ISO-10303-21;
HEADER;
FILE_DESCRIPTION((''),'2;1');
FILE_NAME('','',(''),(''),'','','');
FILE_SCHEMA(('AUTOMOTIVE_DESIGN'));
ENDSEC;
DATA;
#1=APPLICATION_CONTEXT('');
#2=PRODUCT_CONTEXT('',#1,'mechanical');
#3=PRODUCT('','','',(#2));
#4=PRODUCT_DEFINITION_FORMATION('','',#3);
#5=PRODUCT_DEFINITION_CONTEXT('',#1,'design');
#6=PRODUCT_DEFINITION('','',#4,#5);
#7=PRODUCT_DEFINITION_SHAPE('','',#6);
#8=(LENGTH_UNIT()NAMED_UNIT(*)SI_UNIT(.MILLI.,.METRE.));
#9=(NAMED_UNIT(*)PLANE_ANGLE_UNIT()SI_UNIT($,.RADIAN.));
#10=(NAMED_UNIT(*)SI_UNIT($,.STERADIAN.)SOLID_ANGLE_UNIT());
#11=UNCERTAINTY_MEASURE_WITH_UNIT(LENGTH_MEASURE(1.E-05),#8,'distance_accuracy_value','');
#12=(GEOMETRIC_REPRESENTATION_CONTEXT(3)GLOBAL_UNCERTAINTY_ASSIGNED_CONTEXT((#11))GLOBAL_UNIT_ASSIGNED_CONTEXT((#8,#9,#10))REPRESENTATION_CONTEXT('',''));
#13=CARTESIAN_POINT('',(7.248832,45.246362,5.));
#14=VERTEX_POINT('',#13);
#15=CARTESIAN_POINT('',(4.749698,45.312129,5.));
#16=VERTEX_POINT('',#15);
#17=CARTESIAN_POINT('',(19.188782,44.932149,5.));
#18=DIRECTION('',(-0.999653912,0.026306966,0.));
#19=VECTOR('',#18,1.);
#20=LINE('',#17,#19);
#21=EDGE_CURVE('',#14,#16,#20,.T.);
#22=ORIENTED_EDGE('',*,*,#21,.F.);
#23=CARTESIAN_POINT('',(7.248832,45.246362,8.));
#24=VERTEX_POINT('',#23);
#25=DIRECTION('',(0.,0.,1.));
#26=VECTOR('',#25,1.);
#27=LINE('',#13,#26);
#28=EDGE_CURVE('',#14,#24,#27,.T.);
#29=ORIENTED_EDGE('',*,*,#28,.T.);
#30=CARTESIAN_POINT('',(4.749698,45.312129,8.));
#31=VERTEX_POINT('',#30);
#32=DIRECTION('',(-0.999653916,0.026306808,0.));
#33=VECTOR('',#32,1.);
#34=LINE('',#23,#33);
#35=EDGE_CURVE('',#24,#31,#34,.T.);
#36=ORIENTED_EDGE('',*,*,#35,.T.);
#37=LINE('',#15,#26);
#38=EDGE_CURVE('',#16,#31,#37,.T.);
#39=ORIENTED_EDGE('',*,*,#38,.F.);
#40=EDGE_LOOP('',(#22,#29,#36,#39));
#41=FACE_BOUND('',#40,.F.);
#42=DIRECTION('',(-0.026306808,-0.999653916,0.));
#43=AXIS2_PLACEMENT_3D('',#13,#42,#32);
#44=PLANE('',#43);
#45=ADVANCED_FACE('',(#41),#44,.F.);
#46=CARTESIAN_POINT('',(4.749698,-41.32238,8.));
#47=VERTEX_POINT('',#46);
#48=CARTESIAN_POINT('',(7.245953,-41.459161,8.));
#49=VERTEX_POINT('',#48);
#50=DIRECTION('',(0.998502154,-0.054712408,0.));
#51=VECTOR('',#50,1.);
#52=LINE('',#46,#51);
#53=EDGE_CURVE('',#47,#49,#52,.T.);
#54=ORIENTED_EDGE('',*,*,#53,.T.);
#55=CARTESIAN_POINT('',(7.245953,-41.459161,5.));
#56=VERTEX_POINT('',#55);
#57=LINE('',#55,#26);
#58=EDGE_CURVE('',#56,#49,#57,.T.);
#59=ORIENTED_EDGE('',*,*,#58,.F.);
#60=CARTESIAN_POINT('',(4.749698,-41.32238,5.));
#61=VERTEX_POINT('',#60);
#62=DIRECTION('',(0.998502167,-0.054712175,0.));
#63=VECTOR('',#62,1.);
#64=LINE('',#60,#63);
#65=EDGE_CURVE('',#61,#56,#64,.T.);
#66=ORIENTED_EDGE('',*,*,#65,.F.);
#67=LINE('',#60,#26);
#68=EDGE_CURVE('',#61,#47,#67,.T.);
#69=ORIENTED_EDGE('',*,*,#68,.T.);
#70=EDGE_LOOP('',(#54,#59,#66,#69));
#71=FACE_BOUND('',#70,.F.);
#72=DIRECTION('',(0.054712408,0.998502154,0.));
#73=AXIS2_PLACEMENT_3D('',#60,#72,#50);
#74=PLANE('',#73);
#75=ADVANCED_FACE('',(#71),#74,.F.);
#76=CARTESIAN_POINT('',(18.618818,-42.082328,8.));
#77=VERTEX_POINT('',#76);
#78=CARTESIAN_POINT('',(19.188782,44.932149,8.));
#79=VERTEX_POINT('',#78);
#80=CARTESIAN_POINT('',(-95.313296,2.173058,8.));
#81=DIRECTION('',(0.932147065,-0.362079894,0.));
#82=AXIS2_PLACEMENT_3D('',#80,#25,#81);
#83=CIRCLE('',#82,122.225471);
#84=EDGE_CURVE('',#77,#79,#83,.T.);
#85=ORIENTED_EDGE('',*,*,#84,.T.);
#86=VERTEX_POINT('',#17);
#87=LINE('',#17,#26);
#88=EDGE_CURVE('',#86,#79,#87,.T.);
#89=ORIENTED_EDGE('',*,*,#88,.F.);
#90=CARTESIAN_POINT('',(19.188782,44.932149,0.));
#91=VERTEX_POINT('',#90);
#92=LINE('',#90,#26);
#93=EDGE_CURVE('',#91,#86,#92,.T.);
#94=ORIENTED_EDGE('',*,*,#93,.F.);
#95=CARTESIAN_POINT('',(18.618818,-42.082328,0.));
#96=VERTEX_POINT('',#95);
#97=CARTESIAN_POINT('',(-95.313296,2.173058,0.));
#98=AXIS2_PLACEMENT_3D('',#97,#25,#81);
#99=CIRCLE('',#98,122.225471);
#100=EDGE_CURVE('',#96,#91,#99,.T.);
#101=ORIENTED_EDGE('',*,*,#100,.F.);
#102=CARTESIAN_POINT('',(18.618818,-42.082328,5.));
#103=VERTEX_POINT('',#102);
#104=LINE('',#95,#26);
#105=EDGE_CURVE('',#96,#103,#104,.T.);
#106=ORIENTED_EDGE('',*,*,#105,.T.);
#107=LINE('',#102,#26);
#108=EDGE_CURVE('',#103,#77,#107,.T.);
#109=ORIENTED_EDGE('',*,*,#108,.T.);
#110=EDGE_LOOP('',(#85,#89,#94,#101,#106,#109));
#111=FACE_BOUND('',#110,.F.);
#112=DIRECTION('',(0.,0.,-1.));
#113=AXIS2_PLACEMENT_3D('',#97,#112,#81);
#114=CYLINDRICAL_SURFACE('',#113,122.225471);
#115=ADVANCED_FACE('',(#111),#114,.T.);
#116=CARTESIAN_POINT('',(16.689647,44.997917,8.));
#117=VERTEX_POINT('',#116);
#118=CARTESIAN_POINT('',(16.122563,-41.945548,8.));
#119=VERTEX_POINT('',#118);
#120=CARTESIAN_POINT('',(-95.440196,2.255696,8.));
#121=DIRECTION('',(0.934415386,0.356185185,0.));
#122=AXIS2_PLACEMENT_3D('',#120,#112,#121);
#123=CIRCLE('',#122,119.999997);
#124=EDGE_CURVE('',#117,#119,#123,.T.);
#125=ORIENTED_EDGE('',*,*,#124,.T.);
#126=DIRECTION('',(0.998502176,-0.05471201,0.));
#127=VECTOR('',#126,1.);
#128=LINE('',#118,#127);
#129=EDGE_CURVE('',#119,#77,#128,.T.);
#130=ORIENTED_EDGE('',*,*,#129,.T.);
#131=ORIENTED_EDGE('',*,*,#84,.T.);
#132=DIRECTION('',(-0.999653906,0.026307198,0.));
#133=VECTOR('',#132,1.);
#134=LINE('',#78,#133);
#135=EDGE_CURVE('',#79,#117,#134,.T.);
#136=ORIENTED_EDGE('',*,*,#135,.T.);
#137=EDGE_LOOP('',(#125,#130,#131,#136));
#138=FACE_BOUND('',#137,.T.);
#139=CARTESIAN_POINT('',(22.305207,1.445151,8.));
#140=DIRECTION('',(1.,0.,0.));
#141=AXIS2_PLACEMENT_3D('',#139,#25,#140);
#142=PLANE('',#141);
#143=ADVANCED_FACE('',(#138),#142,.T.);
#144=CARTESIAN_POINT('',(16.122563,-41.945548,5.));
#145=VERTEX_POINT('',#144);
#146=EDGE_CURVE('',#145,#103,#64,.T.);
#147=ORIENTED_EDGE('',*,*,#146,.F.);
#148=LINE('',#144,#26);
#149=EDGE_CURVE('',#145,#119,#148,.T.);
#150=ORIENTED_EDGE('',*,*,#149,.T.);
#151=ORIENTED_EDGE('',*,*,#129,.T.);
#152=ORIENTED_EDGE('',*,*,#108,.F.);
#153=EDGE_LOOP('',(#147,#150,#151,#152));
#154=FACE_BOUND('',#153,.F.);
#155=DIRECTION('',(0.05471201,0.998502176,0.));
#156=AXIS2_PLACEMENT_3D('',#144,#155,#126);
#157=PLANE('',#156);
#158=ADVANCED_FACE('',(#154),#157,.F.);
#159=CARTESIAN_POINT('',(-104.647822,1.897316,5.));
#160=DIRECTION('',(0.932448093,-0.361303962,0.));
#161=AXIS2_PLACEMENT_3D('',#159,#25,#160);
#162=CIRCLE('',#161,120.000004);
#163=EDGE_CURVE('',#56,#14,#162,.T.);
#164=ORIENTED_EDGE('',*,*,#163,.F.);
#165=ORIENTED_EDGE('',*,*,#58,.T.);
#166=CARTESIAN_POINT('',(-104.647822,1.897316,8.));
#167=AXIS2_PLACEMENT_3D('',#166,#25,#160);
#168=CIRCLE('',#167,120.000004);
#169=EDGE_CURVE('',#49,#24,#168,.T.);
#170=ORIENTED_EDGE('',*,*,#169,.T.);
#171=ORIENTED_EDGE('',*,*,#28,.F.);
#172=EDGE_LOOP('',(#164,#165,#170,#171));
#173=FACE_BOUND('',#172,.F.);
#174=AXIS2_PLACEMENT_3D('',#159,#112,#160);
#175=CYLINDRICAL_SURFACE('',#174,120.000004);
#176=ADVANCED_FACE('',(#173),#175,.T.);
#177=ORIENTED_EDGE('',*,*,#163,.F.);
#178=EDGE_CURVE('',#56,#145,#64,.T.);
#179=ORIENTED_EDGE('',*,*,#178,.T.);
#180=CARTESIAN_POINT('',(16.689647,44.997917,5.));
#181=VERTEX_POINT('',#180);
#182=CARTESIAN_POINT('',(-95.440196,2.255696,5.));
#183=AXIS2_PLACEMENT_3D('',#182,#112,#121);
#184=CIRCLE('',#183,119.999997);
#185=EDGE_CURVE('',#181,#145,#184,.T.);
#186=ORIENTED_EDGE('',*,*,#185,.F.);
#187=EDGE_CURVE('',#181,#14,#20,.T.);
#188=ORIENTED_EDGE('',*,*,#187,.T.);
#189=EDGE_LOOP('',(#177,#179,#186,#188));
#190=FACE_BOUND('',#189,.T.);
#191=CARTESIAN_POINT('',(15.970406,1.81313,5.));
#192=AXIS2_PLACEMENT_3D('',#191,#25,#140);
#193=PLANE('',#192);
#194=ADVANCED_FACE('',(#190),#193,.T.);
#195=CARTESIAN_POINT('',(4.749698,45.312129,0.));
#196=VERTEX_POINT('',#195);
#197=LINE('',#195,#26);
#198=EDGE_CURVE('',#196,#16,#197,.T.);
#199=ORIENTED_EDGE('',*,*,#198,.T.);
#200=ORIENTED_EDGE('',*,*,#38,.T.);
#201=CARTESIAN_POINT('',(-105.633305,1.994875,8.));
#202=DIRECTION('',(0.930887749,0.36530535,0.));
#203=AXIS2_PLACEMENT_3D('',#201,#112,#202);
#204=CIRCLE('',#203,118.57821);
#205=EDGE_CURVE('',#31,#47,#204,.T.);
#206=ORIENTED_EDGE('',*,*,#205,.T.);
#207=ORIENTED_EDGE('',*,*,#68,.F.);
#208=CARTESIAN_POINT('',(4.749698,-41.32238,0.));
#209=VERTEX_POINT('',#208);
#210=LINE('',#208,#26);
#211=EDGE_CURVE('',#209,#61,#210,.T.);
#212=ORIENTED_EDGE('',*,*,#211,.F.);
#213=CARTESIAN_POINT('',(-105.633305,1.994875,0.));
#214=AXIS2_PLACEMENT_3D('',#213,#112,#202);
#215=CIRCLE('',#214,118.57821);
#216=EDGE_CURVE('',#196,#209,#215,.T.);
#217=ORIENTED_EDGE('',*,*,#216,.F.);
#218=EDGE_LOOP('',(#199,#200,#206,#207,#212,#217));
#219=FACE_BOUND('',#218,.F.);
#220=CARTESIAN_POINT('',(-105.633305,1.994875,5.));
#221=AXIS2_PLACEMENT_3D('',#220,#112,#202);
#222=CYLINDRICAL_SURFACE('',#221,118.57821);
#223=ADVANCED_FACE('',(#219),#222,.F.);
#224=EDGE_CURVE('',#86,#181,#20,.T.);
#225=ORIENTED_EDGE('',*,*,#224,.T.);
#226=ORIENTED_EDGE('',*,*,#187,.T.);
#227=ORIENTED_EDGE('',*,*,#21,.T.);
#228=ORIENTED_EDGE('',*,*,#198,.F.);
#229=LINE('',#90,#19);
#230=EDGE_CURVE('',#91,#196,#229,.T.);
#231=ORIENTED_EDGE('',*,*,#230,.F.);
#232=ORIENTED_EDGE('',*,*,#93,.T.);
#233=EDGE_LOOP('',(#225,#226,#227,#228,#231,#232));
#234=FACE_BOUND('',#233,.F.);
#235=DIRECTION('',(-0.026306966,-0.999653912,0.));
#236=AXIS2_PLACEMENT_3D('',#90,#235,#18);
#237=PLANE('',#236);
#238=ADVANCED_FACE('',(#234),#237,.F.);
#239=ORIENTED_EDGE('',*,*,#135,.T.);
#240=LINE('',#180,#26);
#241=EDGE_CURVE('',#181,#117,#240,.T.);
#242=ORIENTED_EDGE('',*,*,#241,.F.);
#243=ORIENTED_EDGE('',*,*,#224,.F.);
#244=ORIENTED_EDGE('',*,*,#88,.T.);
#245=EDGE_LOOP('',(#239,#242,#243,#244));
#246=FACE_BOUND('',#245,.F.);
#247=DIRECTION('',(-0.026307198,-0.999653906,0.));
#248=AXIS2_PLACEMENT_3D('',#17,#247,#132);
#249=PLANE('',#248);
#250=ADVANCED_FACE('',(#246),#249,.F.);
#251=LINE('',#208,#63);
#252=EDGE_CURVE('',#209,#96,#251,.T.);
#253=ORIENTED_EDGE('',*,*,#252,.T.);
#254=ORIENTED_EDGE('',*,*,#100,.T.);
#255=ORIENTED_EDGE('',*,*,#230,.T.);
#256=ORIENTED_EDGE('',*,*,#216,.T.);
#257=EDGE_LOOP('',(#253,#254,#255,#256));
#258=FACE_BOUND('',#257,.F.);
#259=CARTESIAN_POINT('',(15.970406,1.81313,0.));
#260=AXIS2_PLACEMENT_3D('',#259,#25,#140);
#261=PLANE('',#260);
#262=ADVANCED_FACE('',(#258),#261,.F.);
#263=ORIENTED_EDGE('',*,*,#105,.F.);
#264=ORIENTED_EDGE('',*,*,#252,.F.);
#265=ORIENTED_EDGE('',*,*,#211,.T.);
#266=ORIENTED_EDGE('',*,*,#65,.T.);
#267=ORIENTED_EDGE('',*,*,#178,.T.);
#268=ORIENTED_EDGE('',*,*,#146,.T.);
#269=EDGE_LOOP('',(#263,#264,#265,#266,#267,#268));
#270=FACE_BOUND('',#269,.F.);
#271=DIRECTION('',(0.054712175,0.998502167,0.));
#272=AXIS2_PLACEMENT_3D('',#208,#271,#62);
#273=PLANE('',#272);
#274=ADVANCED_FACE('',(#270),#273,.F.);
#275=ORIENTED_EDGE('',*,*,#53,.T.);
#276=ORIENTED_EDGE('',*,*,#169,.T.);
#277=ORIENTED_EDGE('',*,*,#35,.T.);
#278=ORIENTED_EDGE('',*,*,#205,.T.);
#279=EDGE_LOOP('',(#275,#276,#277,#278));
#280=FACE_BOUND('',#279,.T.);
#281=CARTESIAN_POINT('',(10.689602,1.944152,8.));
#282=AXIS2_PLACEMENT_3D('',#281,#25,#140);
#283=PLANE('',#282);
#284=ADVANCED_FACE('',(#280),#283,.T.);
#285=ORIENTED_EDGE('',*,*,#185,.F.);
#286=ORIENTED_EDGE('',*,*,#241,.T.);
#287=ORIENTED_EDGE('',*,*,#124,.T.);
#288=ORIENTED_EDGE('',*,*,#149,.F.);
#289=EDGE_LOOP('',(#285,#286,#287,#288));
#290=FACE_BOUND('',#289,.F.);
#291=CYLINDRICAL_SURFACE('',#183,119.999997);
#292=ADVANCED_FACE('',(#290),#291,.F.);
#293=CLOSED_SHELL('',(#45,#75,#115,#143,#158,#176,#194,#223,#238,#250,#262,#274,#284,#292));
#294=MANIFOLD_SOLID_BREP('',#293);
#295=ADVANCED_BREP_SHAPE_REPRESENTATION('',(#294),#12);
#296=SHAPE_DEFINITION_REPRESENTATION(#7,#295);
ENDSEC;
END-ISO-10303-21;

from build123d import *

# Parameters (mm, degrees)
F1_DEPTH = 5
F3_DEPTH = 3


with BuildPart() as f1:
    # F0 (on Top) → F1 (new body)
    with BuildSketch(Plane.XY):
        with BuildLine():
            ThreePointArc((4.749698, 45.312129), (12.944905, 1.994874), (4.749698, -41.32238))
            Line((4.749698, -41.32238), (18.618818, -42.082328))
            ThreePointArc((18.618818, -42.082328), (26.909553, 1.372471), (19.188782, 44.932149))
            Line((19.188782, 44.932149), (4.749698, 45.312129))
        make_face()
    extrude(amount=F1_DEPTH)

    # F2 (on face) → F3 (join)
    with BuildSketch(Plane.XY.offset(5)):
        with BuildLine():
            Line((4.749698, -41.32238), (7.245953, -41.459161))
            ThreePointArc((7.245953, -41.459161), (15.352182, 1.893331), (7.248832, 45.246362))
            Line((7.248832, 45.246362), (4.749698, 45.312129))
            ThreePointArc((4.749698, 45.312129), (12.944905, 1.994874), (4.749698, -41.32238))
        make_face()
        with BuildLine():
            ThreePointArc((16.689647, 44.997917), (24.557248, 1.473019), (16.122563, -41.945548))
            Line((16.122563, -41.945548), (18.618818, -42.082328))
            ThreePointArc((18.618818, -42.082328), (26.909553, 1.372471), (19.188782, 44.932149))
            Line((19.188782, 44.932149), (16.689647, 44.997917))
        make_face()
    extrude(amount=F3_DEPTH)


solid = f1.part
